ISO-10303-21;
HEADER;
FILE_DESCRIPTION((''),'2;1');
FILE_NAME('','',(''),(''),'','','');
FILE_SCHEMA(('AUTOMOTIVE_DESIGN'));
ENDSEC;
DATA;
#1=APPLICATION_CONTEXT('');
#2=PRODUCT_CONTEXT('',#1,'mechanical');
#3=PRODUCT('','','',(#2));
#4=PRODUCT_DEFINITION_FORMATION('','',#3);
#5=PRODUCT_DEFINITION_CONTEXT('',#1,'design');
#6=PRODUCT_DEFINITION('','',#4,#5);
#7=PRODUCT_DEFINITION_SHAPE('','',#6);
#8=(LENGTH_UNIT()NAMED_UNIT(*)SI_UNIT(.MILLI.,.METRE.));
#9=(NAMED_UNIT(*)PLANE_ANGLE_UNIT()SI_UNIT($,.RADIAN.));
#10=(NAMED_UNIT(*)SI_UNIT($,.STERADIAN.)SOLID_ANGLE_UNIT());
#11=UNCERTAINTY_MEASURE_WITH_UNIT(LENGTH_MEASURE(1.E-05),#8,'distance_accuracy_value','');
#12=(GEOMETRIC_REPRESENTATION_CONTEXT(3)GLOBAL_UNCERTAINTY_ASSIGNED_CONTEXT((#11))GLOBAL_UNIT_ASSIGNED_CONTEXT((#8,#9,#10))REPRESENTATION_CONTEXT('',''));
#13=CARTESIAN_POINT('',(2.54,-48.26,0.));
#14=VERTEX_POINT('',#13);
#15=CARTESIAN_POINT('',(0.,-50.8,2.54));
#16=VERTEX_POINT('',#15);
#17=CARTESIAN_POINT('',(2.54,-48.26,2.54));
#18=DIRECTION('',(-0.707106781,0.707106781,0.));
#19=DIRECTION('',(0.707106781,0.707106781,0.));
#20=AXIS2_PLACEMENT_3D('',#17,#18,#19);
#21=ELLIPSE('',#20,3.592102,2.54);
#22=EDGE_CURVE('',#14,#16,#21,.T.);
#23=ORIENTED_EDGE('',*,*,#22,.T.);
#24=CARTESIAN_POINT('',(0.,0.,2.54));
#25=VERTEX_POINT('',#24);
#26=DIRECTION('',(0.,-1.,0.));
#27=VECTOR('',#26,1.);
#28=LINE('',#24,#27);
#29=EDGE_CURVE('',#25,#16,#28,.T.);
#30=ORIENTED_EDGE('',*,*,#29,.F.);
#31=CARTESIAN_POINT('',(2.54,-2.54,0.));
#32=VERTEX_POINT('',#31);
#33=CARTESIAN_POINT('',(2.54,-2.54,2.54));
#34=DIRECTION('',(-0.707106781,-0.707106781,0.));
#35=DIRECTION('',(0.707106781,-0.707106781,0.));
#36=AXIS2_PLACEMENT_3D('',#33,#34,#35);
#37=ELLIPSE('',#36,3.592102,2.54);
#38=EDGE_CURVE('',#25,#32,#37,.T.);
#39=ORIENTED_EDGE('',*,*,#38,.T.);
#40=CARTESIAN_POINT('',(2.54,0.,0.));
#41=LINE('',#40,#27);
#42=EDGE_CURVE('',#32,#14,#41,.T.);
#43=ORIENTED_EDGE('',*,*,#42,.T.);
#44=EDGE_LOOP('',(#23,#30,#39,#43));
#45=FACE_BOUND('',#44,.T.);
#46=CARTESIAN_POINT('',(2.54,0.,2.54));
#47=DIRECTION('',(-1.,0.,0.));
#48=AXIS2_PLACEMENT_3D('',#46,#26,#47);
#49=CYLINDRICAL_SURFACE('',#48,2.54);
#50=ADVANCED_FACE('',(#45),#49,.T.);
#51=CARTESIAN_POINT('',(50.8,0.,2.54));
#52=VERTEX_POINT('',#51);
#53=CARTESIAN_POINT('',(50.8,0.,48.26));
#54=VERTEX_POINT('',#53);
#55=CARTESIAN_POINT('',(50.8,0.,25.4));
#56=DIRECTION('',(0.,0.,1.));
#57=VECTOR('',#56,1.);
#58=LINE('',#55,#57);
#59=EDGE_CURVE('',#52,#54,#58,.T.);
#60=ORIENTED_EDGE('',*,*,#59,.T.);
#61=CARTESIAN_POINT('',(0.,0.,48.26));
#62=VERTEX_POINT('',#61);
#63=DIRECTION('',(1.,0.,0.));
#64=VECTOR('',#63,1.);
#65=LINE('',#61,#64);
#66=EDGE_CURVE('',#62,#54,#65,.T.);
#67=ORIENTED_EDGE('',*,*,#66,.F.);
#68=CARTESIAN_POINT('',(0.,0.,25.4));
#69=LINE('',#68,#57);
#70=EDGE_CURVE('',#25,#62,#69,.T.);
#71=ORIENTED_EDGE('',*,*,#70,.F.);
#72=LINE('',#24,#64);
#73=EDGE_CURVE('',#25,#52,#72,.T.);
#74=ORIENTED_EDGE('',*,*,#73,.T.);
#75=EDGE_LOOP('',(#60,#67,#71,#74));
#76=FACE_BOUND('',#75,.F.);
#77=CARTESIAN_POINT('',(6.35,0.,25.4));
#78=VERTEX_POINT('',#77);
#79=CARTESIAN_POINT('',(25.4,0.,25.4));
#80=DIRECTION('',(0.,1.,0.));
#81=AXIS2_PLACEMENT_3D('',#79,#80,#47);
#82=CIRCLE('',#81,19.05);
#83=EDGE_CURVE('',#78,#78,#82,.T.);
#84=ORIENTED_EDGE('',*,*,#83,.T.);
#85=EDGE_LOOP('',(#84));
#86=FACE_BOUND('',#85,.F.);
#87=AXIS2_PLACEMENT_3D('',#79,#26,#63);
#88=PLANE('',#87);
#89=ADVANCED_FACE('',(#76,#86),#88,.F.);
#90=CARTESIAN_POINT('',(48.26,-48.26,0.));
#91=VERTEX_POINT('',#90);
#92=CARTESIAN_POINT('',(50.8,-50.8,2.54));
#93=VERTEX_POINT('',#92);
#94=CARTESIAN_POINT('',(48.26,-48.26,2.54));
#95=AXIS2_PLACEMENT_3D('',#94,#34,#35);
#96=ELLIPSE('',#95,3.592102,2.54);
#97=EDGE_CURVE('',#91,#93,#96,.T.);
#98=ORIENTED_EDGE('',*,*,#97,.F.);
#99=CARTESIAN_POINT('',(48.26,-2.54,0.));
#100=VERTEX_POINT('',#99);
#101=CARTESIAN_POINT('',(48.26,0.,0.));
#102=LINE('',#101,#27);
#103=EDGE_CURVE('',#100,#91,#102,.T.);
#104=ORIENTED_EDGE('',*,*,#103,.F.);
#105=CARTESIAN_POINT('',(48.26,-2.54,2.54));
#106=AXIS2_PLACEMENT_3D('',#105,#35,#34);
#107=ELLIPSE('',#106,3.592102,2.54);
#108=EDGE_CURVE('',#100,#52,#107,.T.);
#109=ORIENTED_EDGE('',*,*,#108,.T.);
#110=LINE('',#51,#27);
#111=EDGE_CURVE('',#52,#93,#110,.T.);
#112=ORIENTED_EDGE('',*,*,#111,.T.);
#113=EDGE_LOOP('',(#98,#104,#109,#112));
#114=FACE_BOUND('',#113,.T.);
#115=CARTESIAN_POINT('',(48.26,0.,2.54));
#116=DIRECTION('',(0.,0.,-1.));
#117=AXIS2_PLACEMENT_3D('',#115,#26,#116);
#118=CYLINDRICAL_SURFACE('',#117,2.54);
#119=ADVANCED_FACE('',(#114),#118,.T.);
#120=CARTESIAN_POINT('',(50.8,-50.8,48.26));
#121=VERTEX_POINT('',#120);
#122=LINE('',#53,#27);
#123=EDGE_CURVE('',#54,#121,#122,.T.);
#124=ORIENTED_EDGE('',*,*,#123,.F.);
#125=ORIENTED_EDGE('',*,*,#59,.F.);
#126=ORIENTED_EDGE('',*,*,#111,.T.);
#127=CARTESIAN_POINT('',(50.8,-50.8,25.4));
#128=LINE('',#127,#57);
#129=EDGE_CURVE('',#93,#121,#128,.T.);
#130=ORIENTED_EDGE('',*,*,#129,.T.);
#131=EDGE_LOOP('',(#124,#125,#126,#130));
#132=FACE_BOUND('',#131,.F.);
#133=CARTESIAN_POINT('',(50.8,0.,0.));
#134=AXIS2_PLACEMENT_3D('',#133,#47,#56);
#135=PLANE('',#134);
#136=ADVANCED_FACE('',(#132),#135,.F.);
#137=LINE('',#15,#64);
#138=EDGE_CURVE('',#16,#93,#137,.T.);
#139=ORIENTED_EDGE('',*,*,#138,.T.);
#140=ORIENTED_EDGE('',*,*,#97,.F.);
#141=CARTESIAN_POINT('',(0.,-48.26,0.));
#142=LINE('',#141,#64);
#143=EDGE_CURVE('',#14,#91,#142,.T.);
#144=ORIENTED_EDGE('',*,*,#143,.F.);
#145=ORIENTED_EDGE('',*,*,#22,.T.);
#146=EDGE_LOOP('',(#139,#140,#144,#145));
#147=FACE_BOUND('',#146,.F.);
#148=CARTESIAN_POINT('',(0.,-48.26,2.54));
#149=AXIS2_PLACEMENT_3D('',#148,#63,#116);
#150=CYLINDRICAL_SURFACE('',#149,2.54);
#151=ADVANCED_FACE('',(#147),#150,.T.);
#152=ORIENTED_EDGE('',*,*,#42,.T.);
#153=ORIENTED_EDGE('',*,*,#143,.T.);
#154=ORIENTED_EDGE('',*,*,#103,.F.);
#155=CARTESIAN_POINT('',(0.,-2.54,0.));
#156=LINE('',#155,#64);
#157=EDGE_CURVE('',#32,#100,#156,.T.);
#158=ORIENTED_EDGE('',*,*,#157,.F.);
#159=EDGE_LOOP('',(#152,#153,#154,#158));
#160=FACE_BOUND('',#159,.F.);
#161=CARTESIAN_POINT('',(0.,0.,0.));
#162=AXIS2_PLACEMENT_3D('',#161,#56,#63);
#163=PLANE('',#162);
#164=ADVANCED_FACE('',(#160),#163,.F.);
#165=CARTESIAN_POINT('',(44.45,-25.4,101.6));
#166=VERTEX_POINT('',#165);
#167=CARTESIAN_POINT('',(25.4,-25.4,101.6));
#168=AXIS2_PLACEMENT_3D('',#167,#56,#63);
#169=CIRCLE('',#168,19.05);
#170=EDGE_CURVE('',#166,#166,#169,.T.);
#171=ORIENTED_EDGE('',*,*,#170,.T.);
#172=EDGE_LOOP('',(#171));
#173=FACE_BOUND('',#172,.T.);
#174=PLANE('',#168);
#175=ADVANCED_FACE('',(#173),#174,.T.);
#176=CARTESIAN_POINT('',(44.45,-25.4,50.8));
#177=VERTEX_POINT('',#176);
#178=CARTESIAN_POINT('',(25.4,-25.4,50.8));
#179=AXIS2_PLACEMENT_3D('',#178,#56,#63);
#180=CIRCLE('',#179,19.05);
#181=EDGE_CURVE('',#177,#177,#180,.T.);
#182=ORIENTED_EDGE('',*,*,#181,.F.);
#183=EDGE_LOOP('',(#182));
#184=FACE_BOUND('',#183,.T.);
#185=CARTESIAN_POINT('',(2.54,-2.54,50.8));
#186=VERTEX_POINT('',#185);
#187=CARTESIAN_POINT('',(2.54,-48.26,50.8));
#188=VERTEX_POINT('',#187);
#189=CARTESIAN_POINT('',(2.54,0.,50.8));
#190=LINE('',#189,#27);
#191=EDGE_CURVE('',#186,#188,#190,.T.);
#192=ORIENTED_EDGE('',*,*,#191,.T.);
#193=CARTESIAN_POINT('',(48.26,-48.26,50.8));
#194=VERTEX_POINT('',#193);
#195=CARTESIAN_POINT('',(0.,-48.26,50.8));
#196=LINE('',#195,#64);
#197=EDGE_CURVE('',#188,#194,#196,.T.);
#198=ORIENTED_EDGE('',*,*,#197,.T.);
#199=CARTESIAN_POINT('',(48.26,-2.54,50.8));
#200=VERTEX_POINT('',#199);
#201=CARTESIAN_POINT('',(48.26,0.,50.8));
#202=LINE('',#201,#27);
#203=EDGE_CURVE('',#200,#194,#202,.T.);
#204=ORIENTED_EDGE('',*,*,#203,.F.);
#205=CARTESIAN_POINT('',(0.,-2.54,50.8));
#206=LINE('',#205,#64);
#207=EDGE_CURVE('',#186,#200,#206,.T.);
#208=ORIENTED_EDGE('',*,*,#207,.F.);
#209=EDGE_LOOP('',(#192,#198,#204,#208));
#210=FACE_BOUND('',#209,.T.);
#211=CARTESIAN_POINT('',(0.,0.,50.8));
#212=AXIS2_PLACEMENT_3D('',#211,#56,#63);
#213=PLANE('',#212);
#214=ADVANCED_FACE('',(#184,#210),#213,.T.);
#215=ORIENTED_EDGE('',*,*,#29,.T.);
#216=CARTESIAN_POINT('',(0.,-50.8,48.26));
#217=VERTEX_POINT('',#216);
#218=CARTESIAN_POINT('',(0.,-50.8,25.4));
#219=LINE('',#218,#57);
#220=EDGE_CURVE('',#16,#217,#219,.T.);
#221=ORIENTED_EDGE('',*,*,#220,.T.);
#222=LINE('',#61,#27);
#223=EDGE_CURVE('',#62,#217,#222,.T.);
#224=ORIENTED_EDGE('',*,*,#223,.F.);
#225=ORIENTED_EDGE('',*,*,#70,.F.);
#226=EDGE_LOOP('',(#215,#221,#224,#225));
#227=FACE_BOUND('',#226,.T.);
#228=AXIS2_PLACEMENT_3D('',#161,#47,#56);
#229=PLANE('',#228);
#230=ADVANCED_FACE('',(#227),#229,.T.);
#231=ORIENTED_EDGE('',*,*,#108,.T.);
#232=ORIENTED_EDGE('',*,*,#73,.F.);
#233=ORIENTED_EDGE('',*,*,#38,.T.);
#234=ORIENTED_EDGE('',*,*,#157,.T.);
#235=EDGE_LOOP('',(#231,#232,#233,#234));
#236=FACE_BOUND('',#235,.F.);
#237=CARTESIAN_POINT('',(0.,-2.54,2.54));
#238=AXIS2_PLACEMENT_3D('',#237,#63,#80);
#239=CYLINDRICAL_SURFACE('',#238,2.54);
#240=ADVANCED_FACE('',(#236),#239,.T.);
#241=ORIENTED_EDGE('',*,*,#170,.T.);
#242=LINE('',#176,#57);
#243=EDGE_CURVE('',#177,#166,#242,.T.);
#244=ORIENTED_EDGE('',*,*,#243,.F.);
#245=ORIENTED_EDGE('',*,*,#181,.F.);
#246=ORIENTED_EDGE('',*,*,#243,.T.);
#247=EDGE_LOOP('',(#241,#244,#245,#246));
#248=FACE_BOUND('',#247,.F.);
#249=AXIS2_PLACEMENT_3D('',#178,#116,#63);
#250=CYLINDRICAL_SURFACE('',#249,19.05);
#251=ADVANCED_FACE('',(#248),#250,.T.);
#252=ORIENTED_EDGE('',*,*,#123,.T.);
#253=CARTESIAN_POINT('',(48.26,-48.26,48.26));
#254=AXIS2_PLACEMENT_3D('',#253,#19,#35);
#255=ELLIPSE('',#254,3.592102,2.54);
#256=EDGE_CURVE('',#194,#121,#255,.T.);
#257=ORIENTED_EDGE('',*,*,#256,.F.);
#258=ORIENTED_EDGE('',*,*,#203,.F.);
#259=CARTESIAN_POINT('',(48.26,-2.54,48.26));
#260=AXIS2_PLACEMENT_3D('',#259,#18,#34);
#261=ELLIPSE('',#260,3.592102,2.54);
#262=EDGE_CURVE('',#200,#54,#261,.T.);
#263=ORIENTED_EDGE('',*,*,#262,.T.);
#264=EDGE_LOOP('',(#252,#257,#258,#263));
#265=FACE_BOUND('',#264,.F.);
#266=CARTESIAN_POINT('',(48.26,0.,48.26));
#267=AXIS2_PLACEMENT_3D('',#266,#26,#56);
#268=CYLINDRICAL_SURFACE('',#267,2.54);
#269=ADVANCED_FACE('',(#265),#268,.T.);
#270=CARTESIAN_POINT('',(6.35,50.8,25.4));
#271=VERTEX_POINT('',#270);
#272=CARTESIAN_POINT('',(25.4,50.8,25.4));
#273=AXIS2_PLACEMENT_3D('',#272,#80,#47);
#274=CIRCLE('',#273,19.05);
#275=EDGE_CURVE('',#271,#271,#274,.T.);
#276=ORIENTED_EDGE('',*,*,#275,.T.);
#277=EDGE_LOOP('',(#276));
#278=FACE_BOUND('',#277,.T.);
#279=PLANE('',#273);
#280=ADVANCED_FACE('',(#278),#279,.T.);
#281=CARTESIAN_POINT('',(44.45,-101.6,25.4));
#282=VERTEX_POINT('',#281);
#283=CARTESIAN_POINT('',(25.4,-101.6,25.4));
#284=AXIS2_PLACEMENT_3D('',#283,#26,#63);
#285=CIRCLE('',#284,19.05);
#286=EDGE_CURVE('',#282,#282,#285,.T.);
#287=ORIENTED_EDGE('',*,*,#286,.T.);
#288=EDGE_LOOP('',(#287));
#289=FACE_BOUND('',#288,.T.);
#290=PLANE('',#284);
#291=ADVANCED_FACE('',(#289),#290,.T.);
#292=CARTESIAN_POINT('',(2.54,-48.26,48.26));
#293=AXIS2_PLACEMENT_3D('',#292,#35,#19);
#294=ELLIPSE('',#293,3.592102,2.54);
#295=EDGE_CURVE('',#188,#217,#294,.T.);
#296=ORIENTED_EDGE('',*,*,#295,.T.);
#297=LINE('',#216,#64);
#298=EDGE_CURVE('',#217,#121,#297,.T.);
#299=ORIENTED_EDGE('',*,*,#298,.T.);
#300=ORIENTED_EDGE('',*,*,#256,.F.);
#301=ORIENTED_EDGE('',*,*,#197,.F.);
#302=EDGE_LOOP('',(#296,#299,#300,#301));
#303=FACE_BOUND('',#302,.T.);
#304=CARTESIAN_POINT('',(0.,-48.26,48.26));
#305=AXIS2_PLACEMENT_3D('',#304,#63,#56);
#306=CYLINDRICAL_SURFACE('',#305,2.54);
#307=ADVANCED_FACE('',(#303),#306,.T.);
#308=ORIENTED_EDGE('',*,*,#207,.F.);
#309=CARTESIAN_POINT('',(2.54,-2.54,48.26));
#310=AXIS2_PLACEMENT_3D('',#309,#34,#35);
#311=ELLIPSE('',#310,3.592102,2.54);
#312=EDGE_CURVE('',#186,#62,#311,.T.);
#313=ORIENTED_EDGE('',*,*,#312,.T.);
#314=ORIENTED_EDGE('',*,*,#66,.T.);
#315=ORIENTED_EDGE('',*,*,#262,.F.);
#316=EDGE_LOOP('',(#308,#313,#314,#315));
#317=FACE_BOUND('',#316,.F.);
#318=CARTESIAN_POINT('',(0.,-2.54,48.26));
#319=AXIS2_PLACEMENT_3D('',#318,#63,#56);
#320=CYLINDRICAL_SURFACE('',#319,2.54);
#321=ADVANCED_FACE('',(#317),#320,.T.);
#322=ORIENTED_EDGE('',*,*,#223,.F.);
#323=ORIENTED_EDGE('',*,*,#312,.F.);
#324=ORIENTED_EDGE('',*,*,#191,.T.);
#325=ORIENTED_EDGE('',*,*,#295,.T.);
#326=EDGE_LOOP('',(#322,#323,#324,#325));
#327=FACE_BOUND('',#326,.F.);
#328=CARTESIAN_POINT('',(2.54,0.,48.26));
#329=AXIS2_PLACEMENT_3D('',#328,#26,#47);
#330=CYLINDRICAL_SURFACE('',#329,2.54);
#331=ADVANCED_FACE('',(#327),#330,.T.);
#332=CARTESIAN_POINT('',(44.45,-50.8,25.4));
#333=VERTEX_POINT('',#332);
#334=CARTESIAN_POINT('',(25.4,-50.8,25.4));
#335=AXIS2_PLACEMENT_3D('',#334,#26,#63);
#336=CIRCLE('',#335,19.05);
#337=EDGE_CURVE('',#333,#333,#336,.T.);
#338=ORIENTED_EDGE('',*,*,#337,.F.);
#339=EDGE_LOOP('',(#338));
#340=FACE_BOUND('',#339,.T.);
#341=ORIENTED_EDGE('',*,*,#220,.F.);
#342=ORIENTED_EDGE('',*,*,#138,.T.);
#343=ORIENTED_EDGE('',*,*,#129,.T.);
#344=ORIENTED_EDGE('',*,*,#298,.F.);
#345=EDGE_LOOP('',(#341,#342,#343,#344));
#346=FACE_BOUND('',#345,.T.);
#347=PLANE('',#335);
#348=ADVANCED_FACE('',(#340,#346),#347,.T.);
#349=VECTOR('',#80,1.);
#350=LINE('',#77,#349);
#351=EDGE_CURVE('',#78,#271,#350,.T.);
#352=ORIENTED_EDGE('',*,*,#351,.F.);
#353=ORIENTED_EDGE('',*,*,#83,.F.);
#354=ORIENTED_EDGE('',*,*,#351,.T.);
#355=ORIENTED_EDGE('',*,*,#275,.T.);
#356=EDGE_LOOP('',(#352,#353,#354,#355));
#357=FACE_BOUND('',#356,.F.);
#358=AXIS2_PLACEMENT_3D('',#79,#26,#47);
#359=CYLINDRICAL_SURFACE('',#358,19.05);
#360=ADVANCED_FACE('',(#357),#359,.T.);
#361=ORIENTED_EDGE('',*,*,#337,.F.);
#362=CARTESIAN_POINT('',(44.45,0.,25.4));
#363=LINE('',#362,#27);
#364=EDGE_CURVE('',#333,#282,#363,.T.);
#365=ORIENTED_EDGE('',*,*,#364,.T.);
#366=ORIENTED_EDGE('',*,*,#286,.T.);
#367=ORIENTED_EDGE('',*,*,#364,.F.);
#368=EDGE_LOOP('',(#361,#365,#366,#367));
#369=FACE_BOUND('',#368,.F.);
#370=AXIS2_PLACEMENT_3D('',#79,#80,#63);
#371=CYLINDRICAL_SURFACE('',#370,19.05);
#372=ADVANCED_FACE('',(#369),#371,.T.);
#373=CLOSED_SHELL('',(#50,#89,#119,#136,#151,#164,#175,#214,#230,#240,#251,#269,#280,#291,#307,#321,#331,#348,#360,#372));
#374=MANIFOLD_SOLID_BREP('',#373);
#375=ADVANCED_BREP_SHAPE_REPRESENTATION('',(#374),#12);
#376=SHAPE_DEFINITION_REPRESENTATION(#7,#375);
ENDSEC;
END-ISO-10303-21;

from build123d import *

# Parameters (mm, degrees)
F0_R     = 19.05
F1_DEPTH = 101.6
F0_W     = 50.8
F0_H     = 50.8
F2_DEPTH = 50.8
F3_R     = 19.05
F4_DEPTH = 50.8
F5_R     = 19.05
F6_DEPTH = 50.8
F7_R     = 2.54
F8_R     = 2.54


with BuildPart() as f1:
    # F0 (on Front) → F1 (new body)
    with BuildSketch(Plane.XZ):
        with Locations((25.4, 25.4)):
            Circle(F0_R)
    extrude(amount=F1_DEPTH)

    # F0 (on Front) → F2 (join)
    with BuildSketch(Plane.XZ):
        with Locations((25.4, 25.4)):
            Rectangle(F0_W, F0_H)
        with Locations((25.4, 25.4)):
            Circle(F0_R, mode=Mode.SUBTRACT)
    extrude(amount=F2_DEPTH)

    # F3 (on face) → F4 (join)
    with BuildSketch(Plane.XY.offset(50.8)):
        with Locations((25.4, -25.4)):
            Circle(F3_R)
    extrude(amount=F4_DEPTH)

    # F5 (on face) → F6 (join)
    with BuildSketch(Plane(origin=(0, 0, 0), x_dir=(-1, 0, 0), z_dir=(0, 1, 0))):
        with Locations((-25.4, 25.4)):
            Circle(F5_R)
    extrude(amount=F6_DEPTH)

    # F7
    f7_edges = [f1.edges().sort_by_distance(p)[0] for p in [
        (25.4, -50.8, 50.8),
        (50.8, -25.4, 50.8),
        (25.4, 0, 50.8),
        (0, -25.4, 50.8),
    ]]
    fillet(f7_edges, radius=F7_R)

    # F8
    f8_edges = [f1.edges().sort_by_distance(p)[0] for p in [
        (50.8, -25.4, 0),
        (25.4, -50.8, 0),
        (25.4, 0, 0),
        (0, -25.4, 0),
    ]]
    fillet(f8_edges, radius=F8_R)


solid = f1.part
